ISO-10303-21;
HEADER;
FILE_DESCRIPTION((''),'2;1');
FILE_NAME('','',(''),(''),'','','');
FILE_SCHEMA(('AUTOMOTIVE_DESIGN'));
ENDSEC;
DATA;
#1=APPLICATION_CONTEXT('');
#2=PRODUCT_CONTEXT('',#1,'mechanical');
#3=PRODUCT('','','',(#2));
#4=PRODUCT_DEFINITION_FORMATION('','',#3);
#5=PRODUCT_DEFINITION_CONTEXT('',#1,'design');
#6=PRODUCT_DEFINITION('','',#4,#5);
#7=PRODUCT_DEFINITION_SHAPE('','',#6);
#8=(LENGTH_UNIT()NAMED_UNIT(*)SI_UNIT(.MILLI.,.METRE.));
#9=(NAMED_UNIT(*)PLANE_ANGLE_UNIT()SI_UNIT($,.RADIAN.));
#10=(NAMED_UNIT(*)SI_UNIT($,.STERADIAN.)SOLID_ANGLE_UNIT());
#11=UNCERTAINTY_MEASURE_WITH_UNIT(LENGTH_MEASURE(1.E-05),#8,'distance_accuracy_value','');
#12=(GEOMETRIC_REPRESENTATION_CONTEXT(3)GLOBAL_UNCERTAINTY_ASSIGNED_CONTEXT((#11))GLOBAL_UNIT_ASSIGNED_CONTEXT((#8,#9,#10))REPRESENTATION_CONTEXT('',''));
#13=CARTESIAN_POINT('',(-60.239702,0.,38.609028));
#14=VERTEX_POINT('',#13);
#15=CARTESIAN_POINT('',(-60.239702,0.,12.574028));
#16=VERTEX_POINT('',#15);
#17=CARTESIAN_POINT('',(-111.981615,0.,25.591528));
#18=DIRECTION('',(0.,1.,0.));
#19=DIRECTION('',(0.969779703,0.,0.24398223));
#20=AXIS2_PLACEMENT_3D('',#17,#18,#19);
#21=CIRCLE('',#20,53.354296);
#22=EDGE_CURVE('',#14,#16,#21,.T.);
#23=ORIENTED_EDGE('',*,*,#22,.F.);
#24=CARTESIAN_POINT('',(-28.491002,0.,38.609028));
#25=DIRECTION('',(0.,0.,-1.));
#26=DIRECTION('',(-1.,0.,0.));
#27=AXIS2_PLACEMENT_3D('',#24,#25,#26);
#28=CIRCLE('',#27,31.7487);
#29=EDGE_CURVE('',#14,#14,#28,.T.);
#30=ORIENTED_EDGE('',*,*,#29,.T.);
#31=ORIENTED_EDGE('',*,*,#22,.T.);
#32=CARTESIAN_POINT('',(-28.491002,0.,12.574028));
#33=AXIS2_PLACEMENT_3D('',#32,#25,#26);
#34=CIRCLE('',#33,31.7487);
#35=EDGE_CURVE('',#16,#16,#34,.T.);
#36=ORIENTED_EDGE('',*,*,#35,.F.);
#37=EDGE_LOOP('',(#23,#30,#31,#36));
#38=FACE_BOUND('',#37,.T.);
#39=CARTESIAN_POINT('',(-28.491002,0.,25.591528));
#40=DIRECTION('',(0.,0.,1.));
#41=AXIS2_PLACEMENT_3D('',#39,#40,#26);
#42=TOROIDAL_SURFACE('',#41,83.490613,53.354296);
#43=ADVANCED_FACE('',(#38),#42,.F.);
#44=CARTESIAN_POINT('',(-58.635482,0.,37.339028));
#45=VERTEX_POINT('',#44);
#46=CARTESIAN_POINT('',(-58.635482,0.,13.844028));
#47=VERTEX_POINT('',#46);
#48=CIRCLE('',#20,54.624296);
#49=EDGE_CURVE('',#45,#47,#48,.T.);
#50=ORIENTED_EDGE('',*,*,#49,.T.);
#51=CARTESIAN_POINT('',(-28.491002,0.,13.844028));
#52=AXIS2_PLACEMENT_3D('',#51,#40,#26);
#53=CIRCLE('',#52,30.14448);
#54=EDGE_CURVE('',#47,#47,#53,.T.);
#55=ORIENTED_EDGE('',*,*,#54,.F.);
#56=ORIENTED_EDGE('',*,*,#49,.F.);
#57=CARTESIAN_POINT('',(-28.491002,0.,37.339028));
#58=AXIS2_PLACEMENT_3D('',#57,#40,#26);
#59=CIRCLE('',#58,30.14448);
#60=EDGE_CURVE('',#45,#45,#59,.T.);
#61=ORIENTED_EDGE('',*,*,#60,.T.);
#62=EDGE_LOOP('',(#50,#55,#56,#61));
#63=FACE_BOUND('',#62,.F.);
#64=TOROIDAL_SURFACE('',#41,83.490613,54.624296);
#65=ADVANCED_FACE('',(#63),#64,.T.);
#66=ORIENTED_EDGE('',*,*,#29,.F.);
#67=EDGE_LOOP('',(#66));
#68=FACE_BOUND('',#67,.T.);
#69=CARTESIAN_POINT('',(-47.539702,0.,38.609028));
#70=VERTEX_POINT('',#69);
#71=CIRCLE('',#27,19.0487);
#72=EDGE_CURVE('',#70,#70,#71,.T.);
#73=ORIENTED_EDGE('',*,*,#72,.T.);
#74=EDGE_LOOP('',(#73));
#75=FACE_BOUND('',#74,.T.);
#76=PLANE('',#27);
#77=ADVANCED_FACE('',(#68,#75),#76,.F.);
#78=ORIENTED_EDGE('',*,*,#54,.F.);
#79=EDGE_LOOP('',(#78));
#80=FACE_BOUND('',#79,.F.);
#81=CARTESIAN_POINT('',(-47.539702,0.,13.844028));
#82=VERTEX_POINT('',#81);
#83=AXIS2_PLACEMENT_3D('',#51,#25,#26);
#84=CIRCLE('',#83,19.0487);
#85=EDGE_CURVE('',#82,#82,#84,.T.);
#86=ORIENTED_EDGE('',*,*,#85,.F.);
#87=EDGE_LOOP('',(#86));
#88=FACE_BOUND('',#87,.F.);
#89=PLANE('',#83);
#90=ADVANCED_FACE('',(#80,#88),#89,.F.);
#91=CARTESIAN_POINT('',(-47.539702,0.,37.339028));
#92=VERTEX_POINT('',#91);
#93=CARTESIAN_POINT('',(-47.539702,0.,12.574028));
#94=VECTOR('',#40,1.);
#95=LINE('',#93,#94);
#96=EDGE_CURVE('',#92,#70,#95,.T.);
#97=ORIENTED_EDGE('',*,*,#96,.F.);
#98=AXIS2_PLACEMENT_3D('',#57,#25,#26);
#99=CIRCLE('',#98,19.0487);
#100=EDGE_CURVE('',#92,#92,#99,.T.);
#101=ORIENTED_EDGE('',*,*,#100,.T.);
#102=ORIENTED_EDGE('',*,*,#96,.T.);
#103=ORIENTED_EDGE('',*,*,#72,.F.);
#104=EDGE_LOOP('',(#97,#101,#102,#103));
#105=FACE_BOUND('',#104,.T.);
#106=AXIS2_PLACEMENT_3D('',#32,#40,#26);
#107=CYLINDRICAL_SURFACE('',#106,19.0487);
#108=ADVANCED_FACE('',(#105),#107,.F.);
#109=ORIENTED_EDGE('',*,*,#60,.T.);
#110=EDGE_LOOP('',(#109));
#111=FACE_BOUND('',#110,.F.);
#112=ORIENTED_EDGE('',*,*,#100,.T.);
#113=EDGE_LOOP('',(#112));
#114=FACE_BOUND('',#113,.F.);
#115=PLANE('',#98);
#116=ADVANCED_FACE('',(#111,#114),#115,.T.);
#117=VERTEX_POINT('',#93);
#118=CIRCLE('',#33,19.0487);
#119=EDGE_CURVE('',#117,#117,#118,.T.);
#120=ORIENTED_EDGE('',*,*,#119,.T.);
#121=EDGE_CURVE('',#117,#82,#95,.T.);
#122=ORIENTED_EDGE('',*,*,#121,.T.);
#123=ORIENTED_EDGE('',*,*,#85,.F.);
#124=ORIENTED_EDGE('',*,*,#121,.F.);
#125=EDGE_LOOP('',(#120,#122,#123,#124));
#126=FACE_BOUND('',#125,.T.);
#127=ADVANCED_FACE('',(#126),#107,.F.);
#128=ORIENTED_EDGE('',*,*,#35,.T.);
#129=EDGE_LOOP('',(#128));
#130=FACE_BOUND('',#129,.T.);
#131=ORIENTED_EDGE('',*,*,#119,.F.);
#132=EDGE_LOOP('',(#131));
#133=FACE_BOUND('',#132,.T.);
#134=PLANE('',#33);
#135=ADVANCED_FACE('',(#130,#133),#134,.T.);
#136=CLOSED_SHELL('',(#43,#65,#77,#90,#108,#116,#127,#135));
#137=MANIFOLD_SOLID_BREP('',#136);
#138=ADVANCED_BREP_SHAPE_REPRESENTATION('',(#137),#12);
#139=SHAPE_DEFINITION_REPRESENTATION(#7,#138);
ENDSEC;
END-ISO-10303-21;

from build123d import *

# Parameters (mm, degrees)
F2_T = -1.27


with BuildPart() as f1:
    # F0 (on Front) → F1 (revolve)
    with BuildSketch(Plane.XZ):
        with BuildLine():
            ThreePointArc((-60.2397024632, 38.6090278625), (-58.6273197833, 25.5915278625), (-60.2397024632, 12.5740278625))
            Line((-60.2397024632, 12.5740278625), (-47.5397024632, 12.5740278625))
            Line((-47.5397024632, 12.5740278625), (-47.5397024632, 38.6090278625))
            Line((-47.5397024632, 38.6090278625), (-60.2397024632, 38.6090278625))
        make_face()
    revolve(axis=Axis((-28.491001968, 0, 25.3042703682), (0, 0, -1)))

    # F2
    f2_openings = [f1.faces().sort_by_distance(p)[0] for p in [
        (-9.442301, 0, 25.591528),
    ]]
    offset(amount=F2_T, openings=f2_openings)


solid = f1.part
